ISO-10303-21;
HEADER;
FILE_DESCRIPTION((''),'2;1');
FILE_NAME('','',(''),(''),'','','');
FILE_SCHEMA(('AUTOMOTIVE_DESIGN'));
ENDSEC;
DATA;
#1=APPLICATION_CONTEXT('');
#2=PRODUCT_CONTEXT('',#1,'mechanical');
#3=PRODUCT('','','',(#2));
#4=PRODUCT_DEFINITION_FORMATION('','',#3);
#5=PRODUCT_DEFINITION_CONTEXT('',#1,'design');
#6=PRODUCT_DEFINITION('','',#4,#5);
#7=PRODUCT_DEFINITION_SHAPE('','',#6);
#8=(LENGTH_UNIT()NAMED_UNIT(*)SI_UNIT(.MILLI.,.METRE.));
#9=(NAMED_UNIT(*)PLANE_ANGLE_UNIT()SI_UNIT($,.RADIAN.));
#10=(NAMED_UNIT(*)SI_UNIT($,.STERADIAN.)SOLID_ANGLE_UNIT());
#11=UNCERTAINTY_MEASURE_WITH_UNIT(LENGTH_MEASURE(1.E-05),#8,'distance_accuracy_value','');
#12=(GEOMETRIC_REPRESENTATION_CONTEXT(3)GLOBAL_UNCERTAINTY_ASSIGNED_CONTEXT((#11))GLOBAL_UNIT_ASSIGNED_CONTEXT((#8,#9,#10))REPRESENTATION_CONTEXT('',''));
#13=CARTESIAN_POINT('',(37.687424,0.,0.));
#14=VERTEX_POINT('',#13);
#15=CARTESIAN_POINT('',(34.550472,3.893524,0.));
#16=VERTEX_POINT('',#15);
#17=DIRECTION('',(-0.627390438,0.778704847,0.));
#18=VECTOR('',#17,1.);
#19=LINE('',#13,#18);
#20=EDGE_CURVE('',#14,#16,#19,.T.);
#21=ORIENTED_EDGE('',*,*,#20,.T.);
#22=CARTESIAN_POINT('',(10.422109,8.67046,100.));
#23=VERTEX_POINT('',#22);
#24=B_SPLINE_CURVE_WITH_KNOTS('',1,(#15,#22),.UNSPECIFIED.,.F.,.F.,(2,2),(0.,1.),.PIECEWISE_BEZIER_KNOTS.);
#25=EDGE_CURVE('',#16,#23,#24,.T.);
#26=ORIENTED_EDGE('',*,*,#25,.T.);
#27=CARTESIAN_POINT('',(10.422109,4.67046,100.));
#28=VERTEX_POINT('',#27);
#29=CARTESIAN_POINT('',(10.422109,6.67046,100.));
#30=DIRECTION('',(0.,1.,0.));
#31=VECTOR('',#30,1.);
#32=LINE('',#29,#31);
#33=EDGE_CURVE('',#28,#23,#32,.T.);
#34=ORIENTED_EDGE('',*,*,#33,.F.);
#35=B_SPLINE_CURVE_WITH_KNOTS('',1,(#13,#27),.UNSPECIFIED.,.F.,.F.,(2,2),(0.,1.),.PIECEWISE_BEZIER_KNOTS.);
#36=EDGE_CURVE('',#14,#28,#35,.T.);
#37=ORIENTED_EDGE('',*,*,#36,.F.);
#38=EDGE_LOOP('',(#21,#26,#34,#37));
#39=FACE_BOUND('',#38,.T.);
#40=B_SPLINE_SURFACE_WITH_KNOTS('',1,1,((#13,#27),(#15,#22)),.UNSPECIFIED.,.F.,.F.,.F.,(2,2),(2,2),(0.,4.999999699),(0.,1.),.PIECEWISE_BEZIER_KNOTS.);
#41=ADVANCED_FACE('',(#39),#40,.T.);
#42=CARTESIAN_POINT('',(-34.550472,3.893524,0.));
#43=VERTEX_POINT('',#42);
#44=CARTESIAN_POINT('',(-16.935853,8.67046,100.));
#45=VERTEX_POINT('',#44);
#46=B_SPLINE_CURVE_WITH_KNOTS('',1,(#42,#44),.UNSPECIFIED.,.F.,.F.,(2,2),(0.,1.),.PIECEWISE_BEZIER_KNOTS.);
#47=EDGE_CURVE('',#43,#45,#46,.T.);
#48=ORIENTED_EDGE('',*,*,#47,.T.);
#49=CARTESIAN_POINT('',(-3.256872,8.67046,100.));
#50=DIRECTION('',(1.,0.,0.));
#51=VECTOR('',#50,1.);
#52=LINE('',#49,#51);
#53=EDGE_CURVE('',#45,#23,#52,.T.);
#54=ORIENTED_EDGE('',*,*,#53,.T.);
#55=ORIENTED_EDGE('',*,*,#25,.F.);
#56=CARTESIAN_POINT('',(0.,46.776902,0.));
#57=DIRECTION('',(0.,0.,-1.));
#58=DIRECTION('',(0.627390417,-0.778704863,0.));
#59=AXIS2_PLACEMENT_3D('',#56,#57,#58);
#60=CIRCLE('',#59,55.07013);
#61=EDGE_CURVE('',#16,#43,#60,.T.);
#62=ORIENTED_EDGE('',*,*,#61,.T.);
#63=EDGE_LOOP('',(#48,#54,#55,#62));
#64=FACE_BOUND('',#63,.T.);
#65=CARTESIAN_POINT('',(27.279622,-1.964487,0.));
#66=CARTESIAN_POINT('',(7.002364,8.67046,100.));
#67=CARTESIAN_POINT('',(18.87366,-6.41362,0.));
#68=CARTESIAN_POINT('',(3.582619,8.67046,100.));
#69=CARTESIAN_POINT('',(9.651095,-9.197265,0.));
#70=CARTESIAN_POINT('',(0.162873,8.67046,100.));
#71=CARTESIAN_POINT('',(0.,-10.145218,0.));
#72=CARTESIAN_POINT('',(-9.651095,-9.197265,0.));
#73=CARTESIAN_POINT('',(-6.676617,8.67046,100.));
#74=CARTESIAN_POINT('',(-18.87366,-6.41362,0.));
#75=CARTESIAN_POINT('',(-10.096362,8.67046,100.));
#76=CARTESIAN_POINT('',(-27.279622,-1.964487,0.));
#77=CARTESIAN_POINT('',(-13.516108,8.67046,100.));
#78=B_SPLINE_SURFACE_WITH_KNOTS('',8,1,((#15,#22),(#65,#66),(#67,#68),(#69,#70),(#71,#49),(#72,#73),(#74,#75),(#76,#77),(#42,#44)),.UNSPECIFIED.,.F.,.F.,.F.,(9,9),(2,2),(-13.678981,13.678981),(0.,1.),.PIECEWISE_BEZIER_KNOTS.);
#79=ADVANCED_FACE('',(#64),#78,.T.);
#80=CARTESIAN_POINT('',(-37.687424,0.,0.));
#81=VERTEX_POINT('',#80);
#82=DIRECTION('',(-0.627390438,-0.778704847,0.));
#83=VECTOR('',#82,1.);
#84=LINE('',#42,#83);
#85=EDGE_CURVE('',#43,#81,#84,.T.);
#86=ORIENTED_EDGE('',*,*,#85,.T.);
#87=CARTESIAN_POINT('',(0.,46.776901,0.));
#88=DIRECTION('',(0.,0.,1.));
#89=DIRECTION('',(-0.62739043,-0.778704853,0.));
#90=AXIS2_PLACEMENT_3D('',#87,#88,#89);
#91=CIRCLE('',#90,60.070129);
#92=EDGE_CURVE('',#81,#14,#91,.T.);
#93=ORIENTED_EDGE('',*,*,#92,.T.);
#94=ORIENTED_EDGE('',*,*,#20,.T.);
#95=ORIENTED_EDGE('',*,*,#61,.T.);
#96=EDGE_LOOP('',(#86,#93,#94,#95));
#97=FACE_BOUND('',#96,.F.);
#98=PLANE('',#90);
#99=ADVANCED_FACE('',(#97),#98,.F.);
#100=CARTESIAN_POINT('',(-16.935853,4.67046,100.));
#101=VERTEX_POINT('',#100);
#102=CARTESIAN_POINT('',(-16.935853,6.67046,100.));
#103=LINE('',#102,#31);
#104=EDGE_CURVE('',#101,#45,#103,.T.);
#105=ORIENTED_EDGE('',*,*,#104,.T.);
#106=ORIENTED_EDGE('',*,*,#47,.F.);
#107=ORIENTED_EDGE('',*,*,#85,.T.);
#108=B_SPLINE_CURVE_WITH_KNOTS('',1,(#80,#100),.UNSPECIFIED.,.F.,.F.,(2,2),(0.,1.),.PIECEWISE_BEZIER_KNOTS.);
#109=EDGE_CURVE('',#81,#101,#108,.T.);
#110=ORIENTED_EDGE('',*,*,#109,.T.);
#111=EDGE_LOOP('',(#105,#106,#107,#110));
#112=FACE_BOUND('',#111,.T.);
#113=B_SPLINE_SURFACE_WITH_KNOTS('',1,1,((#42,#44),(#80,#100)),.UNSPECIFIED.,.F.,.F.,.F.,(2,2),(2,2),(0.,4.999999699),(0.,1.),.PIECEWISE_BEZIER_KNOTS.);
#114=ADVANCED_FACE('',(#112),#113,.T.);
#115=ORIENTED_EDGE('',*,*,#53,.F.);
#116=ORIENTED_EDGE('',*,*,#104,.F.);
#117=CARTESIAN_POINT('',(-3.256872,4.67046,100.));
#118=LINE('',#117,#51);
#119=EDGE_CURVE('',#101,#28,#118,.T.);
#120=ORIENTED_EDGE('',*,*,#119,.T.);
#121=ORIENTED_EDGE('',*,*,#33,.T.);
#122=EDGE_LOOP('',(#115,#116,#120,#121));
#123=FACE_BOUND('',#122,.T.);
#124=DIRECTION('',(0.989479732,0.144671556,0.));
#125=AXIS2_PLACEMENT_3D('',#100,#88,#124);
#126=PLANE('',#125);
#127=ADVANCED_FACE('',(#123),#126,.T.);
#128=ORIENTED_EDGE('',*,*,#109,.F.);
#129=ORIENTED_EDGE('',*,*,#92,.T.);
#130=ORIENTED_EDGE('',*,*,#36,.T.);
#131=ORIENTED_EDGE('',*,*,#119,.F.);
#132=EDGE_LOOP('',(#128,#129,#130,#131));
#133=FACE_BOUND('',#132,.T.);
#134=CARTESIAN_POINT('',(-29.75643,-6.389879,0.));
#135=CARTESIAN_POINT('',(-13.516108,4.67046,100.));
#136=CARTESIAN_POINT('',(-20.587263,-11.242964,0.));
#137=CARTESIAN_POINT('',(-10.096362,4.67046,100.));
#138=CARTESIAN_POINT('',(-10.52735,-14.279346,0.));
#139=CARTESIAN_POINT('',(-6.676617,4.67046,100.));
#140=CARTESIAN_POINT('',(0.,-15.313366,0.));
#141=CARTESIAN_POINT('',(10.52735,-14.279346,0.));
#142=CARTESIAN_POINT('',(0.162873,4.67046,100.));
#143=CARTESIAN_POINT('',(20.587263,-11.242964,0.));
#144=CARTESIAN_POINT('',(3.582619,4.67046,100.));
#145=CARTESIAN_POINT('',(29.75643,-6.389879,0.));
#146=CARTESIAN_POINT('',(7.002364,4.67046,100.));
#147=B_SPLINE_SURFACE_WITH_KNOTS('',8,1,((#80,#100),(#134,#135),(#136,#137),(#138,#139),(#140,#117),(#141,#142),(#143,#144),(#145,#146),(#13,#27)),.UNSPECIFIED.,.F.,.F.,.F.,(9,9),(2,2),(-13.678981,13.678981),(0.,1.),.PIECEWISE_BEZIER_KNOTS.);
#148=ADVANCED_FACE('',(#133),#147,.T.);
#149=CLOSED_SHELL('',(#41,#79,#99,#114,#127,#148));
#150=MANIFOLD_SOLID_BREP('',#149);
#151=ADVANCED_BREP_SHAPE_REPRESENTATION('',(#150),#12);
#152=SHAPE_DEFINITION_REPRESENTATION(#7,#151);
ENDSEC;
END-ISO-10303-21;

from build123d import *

# Parameters (mm, degrees)
F2_W = 27.357962
F2_H = 4


with BuildPart() as f3:
    # F0 (on Top) → F3 section 0
    with BuildSketch(Plane.XY):
        with BuildLine():
            Line((-34.550472, 3.893524), (-37.687424, 0))
            ThreePointArc((-37.687424, 0), (0, -13.293228), (37.687424, 0))
            Line((37.687424, 0), (34.550472, 3.893524))
            ThreePointArc((34.550472, 3.893524), (0, -8.293228), (-34.550472, 3.893524))
        make_face()
    # F2 (on offset) → F3 section 1
    with BuildSketch(Plane.XY.offset(100)):
        with Locations((-3.256872, 6.67046)):
            Rectangle(F2_W, F2_H)
    loft()


solid = f3.part
